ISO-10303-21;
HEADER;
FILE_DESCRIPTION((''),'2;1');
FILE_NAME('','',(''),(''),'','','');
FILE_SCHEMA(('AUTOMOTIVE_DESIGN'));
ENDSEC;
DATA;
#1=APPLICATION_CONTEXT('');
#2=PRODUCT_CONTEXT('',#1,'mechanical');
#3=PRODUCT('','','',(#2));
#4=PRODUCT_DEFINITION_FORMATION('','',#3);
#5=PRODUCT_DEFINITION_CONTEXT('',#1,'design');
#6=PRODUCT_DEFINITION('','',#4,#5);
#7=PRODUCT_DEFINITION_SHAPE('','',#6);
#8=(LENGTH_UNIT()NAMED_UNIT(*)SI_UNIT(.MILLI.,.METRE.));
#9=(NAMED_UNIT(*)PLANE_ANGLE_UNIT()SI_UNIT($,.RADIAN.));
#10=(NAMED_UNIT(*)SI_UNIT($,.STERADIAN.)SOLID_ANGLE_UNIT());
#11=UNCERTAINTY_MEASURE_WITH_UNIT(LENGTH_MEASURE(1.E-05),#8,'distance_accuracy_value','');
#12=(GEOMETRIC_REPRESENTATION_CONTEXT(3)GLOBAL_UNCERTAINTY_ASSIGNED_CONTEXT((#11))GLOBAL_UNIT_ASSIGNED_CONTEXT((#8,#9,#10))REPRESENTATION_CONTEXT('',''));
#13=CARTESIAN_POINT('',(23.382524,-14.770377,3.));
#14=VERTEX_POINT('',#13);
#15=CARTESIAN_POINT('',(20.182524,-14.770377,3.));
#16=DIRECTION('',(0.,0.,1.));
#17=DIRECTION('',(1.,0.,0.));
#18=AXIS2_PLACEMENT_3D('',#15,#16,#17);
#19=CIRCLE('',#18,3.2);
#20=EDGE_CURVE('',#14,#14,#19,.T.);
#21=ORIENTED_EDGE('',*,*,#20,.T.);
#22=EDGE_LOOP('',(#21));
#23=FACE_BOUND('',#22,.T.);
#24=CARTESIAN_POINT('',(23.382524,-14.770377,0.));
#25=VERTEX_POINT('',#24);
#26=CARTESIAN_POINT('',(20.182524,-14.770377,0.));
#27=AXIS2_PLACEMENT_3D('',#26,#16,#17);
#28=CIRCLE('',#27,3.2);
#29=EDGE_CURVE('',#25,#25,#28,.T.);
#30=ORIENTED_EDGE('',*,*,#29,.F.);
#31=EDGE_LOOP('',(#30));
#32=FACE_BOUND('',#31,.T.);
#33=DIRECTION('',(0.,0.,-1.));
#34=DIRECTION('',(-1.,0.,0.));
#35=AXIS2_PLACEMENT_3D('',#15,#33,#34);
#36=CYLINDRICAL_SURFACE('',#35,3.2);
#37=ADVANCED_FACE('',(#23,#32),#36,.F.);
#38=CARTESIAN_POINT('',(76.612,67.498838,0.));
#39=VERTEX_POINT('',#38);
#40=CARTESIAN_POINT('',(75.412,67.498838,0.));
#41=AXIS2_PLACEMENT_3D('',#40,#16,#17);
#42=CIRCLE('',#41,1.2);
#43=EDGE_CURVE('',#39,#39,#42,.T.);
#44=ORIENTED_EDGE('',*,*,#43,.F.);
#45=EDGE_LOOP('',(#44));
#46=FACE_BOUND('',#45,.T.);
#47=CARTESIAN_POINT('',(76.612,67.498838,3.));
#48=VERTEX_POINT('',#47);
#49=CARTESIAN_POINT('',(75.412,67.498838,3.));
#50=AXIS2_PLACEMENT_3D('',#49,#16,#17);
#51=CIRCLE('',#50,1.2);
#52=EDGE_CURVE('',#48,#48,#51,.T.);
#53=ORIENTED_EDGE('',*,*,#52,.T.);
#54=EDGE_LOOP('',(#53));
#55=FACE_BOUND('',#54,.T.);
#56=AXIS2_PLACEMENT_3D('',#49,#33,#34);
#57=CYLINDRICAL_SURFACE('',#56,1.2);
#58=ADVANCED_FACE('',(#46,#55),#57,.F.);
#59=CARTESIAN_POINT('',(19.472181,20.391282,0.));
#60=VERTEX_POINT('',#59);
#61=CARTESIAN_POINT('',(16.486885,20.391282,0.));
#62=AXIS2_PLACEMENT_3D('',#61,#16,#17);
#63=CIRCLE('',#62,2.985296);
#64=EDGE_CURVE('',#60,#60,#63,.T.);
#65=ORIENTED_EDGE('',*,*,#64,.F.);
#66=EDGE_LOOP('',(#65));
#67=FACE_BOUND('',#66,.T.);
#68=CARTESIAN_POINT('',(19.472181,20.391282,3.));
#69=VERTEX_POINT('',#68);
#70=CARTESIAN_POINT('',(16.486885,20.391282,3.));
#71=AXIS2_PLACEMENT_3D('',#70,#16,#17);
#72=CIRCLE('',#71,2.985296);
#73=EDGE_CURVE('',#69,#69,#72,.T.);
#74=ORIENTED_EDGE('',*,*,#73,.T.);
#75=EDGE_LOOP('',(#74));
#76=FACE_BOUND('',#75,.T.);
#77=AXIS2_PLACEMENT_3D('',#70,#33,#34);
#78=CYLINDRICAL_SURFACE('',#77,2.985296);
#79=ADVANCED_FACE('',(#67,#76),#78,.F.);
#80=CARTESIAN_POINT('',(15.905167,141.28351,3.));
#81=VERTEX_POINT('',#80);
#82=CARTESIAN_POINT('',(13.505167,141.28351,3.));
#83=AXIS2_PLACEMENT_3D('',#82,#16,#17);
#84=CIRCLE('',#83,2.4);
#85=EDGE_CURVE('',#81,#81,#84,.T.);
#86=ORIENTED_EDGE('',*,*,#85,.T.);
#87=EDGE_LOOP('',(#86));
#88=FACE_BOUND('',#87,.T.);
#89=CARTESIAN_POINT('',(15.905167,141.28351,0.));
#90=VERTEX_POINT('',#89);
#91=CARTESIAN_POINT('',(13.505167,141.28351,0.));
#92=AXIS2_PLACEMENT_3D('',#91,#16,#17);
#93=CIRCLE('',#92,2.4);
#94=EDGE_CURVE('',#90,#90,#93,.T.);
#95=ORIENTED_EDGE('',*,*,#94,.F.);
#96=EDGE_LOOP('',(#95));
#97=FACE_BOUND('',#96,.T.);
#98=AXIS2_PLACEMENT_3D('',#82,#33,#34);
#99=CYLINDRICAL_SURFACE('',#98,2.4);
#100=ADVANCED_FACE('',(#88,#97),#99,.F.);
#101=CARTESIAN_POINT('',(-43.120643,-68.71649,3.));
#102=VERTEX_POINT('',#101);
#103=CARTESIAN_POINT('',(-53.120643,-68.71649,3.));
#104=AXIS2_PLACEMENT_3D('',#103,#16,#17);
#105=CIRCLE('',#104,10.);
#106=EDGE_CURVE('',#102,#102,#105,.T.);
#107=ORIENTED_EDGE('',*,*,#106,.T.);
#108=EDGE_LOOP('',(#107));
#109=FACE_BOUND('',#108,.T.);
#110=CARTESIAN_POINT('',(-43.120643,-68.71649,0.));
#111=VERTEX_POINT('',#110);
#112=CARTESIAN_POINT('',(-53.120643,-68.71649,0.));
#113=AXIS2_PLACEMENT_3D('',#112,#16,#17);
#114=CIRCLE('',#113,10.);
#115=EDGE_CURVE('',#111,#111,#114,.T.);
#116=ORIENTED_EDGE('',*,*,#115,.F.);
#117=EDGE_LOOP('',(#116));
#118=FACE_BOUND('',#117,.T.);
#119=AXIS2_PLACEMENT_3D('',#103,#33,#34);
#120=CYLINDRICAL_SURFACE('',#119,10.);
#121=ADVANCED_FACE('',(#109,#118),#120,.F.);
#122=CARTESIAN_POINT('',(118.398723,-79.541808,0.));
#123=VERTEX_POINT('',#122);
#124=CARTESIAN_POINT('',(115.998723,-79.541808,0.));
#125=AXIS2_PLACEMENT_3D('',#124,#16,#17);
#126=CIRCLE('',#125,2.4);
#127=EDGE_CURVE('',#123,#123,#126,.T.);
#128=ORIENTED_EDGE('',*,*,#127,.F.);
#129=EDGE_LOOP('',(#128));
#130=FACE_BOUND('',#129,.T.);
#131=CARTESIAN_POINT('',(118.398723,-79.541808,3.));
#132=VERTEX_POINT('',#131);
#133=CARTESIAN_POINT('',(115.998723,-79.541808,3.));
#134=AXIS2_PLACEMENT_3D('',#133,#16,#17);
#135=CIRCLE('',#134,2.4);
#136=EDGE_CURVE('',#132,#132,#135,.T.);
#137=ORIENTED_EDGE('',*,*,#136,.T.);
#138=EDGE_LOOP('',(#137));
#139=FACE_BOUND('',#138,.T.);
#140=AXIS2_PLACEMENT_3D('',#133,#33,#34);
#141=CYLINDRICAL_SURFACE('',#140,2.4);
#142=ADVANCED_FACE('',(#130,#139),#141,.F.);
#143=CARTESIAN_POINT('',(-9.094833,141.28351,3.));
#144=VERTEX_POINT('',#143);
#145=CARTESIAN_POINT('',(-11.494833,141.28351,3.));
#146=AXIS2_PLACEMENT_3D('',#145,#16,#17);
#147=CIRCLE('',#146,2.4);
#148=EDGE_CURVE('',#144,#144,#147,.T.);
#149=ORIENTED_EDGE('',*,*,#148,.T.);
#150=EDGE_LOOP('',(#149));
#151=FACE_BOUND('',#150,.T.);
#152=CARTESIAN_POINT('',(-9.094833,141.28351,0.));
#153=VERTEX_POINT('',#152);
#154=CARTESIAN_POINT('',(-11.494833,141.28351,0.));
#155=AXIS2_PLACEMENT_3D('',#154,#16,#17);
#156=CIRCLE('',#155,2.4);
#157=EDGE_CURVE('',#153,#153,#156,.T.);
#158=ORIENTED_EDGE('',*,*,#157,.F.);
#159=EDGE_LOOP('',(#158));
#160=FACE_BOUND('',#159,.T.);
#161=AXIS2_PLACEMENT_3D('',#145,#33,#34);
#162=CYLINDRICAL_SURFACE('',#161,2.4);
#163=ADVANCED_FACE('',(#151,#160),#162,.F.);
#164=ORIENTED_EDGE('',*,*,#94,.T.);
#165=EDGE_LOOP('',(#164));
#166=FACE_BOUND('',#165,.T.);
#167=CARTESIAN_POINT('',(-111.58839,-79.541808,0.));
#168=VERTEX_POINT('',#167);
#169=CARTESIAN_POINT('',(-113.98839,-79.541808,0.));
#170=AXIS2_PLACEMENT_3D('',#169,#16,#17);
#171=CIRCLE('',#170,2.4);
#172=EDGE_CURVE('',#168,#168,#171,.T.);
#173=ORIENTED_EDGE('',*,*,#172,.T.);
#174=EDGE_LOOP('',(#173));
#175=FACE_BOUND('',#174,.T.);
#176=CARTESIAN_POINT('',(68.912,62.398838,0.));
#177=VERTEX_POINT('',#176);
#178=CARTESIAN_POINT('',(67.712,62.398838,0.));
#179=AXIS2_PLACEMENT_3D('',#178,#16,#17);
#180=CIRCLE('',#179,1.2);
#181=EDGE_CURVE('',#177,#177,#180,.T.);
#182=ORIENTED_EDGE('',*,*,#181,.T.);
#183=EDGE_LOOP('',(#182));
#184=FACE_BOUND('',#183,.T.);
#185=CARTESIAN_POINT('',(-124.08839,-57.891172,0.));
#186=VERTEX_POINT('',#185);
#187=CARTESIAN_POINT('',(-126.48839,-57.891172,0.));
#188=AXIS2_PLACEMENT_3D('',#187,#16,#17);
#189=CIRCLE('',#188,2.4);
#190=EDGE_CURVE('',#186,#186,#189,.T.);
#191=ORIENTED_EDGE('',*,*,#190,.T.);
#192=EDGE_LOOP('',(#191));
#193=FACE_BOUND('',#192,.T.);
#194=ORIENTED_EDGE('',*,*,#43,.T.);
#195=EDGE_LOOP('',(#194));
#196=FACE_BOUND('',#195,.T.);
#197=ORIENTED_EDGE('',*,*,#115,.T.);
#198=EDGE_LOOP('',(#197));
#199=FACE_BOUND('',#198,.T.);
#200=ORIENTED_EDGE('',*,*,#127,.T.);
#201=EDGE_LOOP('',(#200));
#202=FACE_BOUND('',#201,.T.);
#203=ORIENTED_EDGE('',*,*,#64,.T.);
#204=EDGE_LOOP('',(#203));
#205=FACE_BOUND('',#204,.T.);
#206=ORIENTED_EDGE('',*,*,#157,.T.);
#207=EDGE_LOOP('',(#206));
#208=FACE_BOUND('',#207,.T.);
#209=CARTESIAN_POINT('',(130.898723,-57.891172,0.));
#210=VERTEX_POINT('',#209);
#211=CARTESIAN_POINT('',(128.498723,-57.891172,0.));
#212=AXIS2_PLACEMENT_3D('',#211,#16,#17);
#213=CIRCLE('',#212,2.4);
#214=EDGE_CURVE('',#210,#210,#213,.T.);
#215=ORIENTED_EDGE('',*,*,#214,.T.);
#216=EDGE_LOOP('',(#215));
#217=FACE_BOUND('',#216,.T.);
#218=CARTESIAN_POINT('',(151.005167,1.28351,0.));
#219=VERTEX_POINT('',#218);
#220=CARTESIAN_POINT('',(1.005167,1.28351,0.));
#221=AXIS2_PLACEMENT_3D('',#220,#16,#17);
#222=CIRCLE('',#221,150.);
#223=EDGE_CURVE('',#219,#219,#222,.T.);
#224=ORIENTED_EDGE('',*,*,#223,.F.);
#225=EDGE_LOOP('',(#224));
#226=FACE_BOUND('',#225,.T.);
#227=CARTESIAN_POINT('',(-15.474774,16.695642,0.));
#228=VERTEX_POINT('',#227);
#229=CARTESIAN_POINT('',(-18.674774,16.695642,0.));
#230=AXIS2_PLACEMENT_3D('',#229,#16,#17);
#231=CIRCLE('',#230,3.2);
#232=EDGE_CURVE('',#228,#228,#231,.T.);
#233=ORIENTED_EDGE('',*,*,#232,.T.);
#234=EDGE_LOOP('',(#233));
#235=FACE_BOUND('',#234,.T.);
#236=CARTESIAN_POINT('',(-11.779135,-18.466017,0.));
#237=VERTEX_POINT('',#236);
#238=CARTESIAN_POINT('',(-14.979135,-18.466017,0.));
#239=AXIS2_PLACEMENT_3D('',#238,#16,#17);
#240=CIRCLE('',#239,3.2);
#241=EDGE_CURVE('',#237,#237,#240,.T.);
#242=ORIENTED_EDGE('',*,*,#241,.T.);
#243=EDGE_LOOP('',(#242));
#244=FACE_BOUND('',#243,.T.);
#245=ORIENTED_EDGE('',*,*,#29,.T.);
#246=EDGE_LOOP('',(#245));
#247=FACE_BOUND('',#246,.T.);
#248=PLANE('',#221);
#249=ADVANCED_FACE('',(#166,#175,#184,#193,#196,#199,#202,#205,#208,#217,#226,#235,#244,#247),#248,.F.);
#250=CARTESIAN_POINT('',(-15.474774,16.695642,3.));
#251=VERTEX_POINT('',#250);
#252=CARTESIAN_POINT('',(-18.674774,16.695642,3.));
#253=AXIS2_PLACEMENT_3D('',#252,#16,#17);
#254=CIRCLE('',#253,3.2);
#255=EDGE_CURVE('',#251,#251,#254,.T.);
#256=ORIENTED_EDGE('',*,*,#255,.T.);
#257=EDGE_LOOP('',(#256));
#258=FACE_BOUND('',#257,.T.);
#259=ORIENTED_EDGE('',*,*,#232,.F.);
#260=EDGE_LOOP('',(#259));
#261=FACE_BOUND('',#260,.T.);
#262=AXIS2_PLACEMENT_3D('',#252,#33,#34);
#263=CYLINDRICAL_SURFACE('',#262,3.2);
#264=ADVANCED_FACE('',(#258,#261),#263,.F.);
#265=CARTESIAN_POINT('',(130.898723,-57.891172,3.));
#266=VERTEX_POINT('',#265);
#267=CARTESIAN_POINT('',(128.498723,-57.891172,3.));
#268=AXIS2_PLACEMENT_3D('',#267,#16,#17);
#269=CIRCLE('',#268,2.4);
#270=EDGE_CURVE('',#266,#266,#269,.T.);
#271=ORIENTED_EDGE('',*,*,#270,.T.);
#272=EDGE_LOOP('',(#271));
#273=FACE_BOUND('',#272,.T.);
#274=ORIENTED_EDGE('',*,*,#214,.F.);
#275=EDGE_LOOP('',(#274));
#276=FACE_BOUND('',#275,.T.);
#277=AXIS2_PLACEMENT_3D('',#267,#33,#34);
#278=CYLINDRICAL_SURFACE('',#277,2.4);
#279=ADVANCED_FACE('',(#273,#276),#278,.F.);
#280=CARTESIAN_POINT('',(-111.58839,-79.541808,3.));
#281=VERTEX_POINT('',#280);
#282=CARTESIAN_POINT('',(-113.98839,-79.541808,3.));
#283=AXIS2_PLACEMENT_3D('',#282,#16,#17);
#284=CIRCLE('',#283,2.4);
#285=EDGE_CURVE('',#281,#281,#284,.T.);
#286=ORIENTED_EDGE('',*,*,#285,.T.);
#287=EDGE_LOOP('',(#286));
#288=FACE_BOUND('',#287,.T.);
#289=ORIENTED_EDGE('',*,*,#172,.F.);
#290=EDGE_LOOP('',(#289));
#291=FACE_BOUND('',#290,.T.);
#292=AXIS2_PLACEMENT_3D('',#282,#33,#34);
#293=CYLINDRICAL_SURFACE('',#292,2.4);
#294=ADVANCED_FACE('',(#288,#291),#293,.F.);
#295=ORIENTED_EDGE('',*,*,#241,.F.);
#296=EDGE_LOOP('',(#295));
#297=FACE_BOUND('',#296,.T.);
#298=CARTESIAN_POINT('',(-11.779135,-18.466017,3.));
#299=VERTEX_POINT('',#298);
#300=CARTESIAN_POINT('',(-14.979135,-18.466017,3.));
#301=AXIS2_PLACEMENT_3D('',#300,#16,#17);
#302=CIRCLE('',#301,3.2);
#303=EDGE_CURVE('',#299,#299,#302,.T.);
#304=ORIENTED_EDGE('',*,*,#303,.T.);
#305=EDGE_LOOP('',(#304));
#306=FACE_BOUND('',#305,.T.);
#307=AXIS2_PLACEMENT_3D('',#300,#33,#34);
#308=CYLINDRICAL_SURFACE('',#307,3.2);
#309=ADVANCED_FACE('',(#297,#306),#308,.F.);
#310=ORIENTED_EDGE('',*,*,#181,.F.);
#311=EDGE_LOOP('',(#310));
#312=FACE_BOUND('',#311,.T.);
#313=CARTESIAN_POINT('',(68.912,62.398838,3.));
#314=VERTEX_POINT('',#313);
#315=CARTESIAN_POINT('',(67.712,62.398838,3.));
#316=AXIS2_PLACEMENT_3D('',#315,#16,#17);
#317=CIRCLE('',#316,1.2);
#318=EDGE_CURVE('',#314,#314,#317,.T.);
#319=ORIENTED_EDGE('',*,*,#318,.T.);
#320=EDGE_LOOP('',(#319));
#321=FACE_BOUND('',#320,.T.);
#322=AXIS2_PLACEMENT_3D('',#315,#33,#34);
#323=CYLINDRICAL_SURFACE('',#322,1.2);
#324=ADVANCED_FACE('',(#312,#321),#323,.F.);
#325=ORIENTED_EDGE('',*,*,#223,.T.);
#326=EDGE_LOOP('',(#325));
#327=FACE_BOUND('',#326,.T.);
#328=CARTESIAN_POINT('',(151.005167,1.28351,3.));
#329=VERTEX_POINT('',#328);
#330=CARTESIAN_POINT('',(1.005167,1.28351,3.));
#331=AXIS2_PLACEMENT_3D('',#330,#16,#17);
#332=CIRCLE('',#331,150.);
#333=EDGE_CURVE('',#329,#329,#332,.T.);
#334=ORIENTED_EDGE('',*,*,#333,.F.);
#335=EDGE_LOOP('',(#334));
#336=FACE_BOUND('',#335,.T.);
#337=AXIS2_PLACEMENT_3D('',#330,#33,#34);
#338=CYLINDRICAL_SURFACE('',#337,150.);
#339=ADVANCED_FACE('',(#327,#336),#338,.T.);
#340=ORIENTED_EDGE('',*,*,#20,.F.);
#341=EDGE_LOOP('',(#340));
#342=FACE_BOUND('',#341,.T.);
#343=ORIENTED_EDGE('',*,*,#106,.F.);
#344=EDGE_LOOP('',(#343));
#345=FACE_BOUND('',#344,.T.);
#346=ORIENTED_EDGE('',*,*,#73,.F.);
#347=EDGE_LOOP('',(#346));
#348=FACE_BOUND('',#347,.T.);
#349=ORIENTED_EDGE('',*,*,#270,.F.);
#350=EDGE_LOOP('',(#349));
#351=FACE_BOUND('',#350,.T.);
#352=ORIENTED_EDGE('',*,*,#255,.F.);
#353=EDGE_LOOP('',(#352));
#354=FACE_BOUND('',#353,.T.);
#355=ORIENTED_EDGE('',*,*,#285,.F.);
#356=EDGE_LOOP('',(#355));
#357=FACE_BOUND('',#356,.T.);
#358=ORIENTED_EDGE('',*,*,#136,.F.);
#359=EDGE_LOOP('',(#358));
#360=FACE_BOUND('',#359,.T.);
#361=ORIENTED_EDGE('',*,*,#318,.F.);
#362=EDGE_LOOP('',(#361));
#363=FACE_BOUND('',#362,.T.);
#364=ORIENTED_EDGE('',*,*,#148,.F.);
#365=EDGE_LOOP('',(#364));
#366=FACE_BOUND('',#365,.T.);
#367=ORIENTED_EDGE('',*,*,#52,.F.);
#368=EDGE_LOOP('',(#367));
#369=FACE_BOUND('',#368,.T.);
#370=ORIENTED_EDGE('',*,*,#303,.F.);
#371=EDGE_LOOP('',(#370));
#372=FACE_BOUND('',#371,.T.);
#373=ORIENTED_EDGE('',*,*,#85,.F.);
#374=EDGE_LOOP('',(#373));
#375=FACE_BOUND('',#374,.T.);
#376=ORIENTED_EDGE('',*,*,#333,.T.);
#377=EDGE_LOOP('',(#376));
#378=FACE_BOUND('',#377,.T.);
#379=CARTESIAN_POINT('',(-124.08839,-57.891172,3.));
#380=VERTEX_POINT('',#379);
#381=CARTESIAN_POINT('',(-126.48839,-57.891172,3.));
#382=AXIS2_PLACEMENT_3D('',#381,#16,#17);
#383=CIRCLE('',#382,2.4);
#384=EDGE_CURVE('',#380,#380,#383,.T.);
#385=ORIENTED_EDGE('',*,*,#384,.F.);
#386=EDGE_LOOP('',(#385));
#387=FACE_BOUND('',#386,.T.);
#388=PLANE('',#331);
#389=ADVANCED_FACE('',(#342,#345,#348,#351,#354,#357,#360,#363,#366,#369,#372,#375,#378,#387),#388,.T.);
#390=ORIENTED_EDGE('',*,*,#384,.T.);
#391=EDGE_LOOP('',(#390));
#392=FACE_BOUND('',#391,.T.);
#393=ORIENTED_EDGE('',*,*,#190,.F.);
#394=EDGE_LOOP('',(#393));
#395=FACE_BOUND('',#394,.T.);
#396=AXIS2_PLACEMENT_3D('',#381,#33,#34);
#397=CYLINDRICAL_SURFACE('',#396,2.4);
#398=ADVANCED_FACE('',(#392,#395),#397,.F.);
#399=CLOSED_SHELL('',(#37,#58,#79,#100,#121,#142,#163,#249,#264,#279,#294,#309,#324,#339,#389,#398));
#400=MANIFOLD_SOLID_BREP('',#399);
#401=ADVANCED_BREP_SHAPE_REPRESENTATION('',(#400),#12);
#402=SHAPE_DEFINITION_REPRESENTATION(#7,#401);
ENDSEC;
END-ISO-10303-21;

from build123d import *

# Parameters (mm, degrees)
SKETCH1_R           = 150
SKETCH1_R_2         = 2.4
SKETCH1_R_3         = 1.2
SKETCH1_R_4         = 3.2
SKETCH1_R_5         = 2.985295717
SKETCH1_R_6         = 10
BOSS_EXTRUDE2_DEPTH = 3


with BuildPart() as part:
    # Sketch1 → Boss-Extrude2 (new body)
    with BuildSketch(Plane.XY):
        with Locations((1.005166955, 1.283510016)):
            Circle(SKETCH1_R)
        with Locations((13.505166955, 141.283510016)):
            Circle(SKETCH1_R_2, mode=Mode.SUBTRACT)
        with Locations((-11.494833045, 141.283510016)):
            Circle(SKETCH1_R_2, mode=Mode.SUBTRACT)
        with Locations((128.498723485, -57.891172437)):
            Circle(SKETCH1_R_2, mode=Mode.SUBTRACT)
        with Locations((115.998723485, -79.541807531)):
            Circle(SKETCH1_R_2, mode=Mode.SUBTRACT)
        with Locations((-113.988389575, -79.541807531)):
            Circle(SKETCH1_R_2, mode=Mode.SUBTRACT)
        with Locations((-126.488389575, -57.891172437)):
            Circle(SKETCH1_R_2, mode=Mode.SUBTRACT)
        with Locations((75.411999641, 67.498838087)):
            Circle(SKETCH1_R_3, mode=Mode.SUBTRACT)
        with Locations((67.711999641, 62.398838087)):
            Circle(SKETCH1_R_3, mode=Mode.SUBTRACT)
        with Locations((20.182524253, -14.770377264)):
            Circle(SKETCH1_R_4, mode=Mode.SUBTRACT)
        with Locations((-14.97913456, -18.466016524)):
            Circle(SKETCH1_R_4, mode=Mode.SUBTRACT)
        with Locations((16.486884992, 20.391281549)):
            Circle(SKETCH1_R_5, mode=Mode.SUBTRACT)
        with Locations((-18.67477382, 16.695642288)):
            Circle(SKETCH1_R_4, mode=Mode.SUBTRACT)
        with Locations((-53.120643495, -68.716489984)):
            Circle(SKETCH1_R_6, mode=Mode.SUBTRACT)
    extrude(amount=BOSS_EXTRUDE2_DEPTH)


solid = part.part
